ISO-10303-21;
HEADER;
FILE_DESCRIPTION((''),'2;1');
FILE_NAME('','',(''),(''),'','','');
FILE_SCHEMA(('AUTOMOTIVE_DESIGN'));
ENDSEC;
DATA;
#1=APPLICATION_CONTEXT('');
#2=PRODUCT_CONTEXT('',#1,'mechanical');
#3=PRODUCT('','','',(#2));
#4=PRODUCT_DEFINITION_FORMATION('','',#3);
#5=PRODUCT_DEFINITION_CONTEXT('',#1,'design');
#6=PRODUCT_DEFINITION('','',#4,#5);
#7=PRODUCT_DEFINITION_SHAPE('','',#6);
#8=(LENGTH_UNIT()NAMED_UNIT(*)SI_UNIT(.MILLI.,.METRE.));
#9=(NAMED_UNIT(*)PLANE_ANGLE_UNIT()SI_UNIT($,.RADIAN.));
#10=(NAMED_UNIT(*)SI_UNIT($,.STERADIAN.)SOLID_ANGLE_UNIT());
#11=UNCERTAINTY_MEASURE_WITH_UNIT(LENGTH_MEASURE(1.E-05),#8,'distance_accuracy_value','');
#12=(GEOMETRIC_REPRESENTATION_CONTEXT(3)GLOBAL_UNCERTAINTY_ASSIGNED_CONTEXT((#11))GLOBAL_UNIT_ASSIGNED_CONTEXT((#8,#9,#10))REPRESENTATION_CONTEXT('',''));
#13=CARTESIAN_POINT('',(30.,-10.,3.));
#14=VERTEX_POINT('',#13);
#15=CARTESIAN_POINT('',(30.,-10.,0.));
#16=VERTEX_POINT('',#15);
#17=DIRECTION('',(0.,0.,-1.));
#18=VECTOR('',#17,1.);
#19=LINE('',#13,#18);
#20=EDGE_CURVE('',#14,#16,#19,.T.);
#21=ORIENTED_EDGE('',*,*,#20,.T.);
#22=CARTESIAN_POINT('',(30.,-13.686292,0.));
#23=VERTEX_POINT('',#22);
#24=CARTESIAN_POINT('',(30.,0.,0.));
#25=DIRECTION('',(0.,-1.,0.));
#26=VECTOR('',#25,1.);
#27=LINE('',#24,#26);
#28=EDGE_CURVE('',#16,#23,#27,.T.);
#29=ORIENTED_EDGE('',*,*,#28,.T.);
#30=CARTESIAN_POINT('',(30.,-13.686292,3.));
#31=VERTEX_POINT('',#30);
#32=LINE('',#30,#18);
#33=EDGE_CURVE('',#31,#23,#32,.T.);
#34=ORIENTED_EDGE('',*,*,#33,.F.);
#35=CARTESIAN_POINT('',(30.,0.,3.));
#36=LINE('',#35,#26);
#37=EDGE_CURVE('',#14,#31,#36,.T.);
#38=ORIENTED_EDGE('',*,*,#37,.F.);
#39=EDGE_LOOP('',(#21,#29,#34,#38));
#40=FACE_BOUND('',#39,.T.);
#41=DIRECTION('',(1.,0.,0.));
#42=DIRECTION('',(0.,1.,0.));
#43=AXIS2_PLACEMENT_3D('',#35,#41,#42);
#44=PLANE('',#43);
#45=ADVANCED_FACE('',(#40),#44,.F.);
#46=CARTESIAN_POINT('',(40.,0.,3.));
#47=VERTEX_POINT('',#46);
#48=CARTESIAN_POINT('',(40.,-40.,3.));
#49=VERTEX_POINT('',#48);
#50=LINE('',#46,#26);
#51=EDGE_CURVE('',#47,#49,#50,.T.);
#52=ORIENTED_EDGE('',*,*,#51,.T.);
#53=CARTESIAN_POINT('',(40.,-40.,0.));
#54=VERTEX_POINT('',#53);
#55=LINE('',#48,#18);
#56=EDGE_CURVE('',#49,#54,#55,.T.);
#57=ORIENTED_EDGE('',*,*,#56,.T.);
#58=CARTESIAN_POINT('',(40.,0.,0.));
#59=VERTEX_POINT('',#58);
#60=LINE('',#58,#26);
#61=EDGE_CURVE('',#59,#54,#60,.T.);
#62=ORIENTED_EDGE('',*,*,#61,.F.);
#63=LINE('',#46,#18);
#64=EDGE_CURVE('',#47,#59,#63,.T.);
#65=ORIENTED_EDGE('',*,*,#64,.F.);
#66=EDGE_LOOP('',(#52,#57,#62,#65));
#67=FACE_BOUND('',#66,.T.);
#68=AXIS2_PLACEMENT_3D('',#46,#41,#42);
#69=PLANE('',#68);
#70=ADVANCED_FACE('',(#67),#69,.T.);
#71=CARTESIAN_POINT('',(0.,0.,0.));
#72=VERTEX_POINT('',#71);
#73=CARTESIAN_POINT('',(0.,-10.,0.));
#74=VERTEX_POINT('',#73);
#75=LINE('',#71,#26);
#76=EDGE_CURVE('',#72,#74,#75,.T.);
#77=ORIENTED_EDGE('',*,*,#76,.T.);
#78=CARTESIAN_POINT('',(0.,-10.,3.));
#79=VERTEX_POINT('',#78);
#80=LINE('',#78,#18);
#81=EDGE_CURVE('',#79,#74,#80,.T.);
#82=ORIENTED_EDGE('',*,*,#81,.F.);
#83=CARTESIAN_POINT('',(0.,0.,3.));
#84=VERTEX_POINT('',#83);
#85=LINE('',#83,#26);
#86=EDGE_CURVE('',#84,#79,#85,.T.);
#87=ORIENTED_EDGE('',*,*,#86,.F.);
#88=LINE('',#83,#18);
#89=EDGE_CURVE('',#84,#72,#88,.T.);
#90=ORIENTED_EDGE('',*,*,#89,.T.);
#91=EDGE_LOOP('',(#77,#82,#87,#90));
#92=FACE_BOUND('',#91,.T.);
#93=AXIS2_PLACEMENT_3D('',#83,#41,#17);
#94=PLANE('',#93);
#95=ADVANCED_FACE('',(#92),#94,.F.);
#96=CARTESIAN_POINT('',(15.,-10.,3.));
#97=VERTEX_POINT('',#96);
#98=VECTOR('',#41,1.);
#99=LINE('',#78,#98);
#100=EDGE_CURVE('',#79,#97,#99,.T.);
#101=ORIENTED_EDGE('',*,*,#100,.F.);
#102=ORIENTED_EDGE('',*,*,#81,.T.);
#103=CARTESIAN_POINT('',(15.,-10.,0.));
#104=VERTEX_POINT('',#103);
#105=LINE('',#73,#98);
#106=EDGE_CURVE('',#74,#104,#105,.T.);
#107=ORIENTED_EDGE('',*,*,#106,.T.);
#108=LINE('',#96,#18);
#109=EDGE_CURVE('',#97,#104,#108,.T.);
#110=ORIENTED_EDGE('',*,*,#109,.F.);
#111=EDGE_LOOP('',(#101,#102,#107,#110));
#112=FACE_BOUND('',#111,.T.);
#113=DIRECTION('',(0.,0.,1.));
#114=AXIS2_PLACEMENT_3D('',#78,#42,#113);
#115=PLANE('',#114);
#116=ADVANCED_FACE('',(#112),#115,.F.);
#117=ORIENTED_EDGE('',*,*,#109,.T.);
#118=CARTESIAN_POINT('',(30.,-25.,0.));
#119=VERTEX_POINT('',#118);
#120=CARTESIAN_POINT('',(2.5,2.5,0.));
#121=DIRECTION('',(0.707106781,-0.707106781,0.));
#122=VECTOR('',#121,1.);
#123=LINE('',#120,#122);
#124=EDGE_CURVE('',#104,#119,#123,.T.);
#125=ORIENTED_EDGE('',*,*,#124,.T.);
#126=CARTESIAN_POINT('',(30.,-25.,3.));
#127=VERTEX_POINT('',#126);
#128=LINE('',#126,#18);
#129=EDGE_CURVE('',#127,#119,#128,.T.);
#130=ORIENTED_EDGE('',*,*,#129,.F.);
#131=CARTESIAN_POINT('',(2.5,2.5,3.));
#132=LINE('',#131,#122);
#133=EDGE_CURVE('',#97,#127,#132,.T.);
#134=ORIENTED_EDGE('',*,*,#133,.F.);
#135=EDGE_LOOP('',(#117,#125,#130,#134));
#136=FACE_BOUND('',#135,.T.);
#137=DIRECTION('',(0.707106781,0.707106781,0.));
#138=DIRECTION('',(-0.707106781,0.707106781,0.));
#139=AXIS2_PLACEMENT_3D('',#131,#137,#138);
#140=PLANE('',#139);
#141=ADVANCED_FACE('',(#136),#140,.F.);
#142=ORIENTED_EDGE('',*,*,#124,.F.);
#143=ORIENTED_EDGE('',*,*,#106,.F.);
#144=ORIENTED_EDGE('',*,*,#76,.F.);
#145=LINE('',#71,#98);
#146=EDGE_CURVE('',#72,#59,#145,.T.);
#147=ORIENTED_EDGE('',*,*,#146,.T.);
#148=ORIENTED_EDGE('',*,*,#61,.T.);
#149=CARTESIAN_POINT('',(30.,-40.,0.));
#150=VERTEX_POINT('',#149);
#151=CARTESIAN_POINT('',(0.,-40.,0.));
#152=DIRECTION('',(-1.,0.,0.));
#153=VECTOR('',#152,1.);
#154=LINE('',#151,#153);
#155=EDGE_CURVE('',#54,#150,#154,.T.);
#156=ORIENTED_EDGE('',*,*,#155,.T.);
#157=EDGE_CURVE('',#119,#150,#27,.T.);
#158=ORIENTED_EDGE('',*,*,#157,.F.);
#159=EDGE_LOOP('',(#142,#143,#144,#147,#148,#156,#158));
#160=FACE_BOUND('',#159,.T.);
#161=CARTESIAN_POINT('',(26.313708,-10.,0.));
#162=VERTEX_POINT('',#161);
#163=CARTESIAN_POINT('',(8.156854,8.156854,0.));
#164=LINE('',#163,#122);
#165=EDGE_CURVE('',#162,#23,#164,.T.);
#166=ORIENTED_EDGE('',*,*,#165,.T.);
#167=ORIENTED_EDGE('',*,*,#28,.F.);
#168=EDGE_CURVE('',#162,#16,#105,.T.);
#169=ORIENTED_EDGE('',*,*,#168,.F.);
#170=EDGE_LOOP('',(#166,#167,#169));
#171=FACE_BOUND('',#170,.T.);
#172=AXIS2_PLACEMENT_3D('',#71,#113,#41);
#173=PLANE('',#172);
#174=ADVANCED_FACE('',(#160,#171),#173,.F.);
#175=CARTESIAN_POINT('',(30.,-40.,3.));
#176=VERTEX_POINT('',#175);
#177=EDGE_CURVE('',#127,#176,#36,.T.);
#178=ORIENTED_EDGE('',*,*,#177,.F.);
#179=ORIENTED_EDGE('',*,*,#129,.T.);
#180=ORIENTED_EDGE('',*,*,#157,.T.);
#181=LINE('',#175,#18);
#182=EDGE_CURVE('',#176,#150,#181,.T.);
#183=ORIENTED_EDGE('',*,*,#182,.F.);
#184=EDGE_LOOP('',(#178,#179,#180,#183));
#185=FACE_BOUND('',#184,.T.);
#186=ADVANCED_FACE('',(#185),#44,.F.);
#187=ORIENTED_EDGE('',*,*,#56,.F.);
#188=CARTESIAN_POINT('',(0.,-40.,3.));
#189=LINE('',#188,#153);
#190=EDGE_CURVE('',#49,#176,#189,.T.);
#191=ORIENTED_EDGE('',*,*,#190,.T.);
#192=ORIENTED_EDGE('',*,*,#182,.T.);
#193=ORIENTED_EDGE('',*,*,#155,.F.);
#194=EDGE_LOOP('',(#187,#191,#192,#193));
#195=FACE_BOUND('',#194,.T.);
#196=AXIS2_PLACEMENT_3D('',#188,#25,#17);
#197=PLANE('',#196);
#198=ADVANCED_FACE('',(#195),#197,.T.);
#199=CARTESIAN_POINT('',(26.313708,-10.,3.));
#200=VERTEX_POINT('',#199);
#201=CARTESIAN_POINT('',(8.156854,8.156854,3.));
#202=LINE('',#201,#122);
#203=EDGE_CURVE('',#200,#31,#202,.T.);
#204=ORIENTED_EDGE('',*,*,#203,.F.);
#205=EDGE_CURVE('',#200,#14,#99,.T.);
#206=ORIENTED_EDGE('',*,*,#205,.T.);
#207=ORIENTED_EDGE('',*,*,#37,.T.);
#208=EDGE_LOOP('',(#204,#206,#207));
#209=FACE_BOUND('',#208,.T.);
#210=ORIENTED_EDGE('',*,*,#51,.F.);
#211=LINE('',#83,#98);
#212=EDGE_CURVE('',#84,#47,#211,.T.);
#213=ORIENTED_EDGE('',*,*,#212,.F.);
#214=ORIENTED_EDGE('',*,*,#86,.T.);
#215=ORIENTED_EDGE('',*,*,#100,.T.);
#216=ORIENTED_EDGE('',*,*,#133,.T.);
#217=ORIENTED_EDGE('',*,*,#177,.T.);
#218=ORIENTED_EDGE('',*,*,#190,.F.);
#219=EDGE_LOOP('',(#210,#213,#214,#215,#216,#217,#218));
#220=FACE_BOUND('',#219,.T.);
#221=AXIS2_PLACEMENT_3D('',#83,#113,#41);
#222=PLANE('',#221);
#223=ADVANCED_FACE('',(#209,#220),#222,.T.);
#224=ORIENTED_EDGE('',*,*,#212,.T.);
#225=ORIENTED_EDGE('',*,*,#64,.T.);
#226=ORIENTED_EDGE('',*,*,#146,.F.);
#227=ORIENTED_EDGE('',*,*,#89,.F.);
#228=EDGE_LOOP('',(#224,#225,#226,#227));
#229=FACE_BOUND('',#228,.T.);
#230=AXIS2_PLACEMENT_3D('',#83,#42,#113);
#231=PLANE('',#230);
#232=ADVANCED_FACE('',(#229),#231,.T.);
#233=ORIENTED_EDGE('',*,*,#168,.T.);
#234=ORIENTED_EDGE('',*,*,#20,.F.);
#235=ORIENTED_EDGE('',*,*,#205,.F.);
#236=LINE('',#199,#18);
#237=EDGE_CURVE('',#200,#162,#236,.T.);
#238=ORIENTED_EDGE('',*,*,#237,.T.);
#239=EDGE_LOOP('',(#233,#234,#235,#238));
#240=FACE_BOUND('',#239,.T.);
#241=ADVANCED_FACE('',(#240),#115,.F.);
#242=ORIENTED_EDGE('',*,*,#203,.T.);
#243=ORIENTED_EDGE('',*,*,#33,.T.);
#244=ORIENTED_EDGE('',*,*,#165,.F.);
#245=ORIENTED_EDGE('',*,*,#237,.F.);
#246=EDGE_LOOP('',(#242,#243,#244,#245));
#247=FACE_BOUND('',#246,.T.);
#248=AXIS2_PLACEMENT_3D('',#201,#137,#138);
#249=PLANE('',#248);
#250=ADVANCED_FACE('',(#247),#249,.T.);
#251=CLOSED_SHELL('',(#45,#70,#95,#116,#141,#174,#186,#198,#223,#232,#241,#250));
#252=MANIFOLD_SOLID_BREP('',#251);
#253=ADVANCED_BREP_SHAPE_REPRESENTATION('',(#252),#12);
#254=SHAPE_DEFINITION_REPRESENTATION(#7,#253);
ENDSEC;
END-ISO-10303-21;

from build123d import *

# Parameters (mm, degrees)
EXTRUDE_1_DEPTH = 3


with BuildPart() as part:
    # 草圖1 → 填料-伸長1 (new body)
    with BuildSketch(Plane.XY):
        Polygon((0, -10), (30, -10), (30, -40), (40, -40), (40, -10), (40, 0), (0, 0), align=None)
        Polygon((30, -13.686291501), (26.313708499, -10), (15, -10), (30, -25), align=None)
    extrude(amount=EXTRUDE_1_DEPTH)


solid = part.part
